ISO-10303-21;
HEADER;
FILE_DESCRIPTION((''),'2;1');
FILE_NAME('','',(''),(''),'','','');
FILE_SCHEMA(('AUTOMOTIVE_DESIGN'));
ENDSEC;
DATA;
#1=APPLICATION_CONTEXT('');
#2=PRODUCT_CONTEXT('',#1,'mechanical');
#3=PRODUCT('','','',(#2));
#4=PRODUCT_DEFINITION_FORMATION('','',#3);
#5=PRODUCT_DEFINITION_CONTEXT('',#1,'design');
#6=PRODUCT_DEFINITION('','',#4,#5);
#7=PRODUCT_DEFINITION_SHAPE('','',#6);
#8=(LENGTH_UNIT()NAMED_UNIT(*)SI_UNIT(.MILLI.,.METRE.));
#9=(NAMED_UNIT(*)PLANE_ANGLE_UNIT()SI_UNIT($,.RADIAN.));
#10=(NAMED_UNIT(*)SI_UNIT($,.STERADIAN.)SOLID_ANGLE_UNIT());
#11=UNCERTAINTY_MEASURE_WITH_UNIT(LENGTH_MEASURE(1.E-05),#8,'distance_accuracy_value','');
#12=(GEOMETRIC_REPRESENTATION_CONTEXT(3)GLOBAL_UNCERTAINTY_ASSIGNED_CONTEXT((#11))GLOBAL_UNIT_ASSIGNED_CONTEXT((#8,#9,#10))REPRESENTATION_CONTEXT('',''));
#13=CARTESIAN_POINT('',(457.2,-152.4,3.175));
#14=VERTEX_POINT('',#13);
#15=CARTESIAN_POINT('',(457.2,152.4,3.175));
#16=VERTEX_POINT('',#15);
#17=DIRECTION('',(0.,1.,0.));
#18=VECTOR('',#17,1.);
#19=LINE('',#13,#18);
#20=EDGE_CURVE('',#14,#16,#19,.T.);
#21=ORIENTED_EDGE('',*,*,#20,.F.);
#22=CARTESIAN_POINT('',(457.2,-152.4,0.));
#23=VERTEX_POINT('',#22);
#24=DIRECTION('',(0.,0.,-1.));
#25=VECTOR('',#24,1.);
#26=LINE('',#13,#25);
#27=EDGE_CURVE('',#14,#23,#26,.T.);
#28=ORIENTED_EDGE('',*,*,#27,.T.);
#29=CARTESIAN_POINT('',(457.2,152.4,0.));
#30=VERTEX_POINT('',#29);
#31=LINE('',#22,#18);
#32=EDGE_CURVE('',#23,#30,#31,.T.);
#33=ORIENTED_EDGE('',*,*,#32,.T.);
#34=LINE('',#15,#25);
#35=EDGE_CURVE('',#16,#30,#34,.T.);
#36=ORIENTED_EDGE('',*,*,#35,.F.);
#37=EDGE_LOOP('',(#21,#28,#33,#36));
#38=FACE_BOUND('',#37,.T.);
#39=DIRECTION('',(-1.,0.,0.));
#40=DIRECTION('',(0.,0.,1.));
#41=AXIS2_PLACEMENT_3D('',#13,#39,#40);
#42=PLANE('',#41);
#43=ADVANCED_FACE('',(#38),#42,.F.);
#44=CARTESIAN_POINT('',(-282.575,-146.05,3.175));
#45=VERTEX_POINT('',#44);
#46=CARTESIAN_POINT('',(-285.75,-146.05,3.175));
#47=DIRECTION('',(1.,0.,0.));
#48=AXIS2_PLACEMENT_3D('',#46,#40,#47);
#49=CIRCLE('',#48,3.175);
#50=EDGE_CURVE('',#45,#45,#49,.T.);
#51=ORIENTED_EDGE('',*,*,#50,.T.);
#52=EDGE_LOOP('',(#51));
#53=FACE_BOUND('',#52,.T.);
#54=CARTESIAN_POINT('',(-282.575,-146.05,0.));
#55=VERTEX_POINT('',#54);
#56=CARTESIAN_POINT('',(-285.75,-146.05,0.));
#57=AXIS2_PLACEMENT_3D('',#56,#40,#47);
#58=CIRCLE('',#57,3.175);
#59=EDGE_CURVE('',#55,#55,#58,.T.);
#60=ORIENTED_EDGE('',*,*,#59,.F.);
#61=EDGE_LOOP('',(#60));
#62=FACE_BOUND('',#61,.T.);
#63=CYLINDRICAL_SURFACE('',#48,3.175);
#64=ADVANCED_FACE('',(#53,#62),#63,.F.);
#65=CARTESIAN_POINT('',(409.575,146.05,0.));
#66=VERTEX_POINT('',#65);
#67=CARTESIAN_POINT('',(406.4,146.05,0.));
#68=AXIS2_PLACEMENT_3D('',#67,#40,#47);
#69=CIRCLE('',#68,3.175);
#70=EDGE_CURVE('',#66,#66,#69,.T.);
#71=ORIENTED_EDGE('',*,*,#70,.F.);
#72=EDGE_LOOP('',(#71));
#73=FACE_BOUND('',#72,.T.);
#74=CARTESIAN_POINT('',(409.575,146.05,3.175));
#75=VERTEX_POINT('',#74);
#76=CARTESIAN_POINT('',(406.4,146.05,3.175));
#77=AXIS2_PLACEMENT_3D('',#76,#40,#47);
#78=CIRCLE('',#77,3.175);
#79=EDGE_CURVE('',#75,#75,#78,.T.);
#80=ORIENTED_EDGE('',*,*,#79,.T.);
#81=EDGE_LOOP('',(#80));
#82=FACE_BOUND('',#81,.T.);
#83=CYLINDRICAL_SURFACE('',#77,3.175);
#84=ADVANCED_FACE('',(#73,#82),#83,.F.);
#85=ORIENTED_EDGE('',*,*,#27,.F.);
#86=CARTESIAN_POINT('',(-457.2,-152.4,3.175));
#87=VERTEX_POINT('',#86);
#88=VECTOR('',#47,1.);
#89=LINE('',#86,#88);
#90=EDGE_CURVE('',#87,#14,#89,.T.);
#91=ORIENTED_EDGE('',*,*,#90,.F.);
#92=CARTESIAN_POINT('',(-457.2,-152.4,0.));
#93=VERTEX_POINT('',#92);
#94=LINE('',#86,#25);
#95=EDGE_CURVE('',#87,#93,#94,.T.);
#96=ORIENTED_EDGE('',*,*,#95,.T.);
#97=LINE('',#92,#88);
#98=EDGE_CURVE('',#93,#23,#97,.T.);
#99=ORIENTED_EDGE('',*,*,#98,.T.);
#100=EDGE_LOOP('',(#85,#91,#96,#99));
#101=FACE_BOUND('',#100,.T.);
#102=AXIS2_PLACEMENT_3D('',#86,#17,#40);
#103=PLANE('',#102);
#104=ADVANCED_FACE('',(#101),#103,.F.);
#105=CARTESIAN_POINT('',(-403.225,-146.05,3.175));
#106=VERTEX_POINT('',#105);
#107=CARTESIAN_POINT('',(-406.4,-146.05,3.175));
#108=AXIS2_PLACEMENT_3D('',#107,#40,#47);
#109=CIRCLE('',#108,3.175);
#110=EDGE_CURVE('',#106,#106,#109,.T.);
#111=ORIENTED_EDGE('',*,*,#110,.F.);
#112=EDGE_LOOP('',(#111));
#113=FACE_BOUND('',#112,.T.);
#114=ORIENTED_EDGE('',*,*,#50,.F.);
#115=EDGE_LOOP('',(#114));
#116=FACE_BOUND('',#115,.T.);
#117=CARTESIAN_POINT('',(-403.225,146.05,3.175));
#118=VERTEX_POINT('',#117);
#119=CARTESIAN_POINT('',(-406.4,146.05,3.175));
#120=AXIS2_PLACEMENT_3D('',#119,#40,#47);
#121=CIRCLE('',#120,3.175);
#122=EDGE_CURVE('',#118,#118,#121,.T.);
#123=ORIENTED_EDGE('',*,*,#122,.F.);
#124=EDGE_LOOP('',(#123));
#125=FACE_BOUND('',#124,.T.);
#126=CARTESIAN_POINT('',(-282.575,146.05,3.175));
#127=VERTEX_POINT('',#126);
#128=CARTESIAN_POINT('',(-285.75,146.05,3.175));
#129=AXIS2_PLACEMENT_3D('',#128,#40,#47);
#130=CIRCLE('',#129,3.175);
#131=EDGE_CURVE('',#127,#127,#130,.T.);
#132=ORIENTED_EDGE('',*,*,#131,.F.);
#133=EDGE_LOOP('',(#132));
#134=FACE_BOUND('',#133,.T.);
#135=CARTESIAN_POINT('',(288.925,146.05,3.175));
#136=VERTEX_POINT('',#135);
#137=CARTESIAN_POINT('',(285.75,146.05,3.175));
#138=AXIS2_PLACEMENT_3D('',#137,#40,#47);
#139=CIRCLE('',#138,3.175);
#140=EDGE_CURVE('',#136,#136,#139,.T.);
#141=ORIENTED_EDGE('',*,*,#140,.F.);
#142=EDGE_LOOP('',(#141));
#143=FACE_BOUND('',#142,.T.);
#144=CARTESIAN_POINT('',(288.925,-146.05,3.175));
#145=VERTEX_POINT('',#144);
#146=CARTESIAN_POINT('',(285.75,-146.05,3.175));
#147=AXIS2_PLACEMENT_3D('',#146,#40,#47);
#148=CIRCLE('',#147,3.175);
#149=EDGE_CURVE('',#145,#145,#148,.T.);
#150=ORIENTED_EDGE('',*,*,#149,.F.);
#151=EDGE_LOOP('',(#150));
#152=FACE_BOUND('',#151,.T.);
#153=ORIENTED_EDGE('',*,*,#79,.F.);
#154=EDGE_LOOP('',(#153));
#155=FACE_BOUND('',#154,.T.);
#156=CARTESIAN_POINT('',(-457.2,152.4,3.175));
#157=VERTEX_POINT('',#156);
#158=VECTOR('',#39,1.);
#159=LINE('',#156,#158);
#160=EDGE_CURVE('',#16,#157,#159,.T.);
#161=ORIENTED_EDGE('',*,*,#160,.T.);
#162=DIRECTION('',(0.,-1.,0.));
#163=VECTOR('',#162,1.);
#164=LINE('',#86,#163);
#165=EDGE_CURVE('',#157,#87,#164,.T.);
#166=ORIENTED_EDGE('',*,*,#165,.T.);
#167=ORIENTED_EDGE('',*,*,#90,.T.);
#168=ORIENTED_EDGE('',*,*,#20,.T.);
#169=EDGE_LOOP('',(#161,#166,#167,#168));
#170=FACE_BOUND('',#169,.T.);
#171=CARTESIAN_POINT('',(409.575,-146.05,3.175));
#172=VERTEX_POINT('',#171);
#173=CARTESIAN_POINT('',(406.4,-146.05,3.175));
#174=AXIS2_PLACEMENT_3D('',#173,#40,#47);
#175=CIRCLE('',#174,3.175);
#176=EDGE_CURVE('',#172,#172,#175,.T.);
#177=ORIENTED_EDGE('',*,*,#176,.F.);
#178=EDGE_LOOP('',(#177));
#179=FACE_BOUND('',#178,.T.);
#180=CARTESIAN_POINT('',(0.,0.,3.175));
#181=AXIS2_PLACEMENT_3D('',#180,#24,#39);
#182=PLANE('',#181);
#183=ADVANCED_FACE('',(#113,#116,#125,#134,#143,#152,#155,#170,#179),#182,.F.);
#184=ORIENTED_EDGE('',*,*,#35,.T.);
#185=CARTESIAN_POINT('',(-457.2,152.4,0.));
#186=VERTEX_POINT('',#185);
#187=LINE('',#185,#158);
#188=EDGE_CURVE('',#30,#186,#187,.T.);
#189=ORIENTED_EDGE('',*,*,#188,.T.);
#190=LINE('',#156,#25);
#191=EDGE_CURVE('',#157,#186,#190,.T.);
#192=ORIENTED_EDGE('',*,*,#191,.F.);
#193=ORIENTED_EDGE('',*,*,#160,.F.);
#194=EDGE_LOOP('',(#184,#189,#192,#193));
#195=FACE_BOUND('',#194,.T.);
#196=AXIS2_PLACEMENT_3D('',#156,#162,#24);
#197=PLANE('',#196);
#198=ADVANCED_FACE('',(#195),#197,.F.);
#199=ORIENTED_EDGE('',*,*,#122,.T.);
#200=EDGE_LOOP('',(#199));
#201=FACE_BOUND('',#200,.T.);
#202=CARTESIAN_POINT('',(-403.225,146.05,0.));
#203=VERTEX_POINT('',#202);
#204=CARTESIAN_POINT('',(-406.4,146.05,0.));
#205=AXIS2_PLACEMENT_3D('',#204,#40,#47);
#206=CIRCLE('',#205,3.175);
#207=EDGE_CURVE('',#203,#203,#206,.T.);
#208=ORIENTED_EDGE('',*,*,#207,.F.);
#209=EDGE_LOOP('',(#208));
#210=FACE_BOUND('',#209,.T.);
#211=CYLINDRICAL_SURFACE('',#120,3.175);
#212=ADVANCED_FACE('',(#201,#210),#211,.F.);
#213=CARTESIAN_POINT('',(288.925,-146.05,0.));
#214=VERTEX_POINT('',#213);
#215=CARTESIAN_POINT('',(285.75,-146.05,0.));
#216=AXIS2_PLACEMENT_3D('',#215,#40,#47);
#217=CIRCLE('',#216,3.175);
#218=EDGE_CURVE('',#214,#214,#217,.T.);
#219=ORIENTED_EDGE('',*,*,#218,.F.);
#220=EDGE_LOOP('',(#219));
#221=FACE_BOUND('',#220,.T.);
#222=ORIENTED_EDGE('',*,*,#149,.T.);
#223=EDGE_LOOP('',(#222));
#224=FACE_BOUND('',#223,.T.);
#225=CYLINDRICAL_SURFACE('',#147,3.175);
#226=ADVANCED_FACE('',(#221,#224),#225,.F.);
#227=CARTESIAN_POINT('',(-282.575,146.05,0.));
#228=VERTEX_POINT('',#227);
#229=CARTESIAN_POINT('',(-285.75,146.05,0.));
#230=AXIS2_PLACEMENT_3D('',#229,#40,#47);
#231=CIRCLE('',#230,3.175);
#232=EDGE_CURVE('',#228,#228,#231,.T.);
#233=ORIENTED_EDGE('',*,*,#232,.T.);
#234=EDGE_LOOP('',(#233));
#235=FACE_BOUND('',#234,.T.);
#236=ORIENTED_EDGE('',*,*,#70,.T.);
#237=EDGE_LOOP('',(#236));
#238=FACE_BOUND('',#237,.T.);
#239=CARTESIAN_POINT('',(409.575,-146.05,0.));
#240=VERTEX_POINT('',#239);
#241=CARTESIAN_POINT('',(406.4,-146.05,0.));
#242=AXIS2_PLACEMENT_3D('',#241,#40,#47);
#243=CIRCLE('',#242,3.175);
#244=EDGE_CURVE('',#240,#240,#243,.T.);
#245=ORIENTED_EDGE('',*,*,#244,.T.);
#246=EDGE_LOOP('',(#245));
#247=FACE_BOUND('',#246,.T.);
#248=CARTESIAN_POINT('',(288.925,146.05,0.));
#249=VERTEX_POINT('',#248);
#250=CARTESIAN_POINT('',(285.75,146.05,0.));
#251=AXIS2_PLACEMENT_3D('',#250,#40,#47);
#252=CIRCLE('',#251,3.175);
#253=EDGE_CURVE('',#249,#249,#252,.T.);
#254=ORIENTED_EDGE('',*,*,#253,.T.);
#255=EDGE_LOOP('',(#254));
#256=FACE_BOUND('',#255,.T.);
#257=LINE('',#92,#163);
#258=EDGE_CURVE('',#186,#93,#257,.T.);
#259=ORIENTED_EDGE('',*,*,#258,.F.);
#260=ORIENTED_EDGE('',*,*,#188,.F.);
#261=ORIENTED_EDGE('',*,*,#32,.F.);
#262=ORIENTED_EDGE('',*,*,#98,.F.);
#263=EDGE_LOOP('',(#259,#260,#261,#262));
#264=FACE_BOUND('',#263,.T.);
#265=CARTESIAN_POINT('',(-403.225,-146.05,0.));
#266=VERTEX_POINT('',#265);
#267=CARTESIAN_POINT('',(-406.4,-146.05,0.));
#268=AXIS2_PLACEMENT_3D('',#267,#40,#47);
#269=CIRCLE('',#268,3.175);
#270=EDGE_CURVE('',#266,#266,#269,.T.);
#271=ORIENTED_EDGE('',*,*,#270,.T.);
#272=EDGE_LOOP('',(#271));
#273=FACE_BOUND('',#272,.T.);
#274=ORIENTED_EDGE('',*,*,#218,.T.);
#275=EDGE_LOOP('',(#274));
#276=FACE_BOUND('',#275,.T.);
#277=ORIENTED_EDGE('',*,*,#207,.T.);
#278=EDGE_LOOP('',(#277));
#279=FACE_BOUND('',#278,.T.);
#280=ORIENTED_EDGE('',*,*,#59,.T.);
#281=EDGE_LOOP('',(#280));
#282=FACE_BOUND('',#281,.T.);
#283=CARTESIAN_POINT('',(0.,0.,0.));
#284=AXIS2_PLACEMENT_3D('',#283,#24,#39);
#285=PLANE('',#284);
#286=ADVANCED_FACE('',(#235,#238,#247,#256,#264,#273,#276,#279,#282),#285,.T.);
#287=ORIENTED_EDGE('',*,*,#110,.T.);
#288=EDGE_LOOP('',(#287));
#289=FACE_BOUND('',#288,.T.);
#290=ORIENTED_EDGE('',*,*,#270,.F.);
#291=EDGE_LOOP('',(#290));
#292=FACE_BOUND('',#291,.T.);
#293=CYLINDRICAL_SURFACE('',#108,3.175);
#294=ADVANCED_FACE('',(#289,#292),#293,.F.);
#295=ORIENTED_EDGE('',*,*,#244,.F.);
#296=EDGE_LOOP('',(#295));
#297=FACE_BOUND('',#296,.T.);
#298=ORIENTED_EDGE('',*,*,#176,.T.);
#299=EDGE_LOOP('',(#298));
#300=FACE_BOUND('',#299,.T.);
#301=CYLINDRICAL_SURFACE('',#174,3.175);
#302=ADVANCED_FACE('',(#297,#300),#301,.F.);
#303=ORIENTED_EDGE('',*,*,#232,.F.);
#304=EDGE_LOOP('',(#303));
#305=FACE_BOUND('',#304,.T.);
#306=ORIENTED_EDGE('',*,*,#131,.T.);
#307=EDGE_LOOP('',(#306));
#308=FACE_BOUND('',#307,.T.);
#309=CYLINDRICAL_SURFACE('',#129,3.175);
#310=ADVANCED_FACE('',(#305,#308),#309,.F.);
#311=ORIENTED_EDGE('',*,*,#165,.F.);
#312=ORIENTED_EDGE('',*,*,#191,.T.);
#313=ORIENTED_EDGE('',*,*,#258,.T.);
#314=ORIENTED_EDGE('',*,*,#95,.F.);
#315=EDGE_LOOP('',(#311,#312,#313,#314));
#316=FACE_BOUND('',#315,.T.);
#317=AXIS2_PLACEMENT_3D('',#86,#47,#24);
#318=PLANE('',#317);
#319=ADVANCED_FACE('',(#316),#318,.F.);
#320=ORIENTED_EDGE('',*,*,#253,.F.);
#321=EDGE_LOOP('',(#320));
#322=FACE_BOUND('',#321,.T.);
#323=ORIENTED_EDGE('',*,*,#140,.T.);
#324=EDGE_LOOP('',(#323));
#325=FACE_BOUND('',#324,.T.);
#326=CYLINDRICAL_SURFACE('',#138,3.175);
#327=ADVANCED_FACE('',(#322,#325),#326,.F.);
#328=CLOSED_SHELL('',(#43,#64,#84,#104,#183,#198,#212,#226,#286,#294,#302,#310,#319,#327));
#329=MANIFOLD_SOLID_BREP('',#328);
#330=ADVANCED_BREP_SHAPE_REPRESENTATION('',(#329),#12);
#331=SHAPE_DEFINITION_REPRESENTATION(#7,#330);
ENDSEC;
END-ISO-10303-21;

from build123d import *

# Parameters (mm, degrees)
SKETCH1_W                   = 914.4
SKETCH1_H                   = 304.8
BOSS_EXTRUDE1_DEPTH         = 3.175
F_1_4_0_25_DIAMETER_HOLE1_D = 6.35


with BuildPart() as part:
    # Sketch1 → Boss-Extrude1 (new body)
    with BuildSketch(Plane.XY):
        Rectangle(SKETCH1_W, SKETCH1_H)
    extrude(amount=BOSS_EXTRUDE1_DEPTH)

    # 1/4 (0.25) Diameter Hole1 (through all)
    with Locations(Plane.XY.offset(3.175)):
        with Locations((285.75, 146.05), (406.4, 146.05), (406.4, -146.05), (285.75, -146.05)):
            f_1_4_0_25_diameter_hole1 = Hole(F_1_4_0_25_DIAMETER_HOLE1_D / 2)

    # Mirror1: 1/4 (0.25) Diameter Hole1 across plane
    add(f_1_4_0_25_diameter_hole1.mirror(Plane(origin=(0, 0, 0), x_dir=(0, 0, 1), z_dir=(1, 0, 0))), mode=Mode.SUBTRACT)


solid = part.part
